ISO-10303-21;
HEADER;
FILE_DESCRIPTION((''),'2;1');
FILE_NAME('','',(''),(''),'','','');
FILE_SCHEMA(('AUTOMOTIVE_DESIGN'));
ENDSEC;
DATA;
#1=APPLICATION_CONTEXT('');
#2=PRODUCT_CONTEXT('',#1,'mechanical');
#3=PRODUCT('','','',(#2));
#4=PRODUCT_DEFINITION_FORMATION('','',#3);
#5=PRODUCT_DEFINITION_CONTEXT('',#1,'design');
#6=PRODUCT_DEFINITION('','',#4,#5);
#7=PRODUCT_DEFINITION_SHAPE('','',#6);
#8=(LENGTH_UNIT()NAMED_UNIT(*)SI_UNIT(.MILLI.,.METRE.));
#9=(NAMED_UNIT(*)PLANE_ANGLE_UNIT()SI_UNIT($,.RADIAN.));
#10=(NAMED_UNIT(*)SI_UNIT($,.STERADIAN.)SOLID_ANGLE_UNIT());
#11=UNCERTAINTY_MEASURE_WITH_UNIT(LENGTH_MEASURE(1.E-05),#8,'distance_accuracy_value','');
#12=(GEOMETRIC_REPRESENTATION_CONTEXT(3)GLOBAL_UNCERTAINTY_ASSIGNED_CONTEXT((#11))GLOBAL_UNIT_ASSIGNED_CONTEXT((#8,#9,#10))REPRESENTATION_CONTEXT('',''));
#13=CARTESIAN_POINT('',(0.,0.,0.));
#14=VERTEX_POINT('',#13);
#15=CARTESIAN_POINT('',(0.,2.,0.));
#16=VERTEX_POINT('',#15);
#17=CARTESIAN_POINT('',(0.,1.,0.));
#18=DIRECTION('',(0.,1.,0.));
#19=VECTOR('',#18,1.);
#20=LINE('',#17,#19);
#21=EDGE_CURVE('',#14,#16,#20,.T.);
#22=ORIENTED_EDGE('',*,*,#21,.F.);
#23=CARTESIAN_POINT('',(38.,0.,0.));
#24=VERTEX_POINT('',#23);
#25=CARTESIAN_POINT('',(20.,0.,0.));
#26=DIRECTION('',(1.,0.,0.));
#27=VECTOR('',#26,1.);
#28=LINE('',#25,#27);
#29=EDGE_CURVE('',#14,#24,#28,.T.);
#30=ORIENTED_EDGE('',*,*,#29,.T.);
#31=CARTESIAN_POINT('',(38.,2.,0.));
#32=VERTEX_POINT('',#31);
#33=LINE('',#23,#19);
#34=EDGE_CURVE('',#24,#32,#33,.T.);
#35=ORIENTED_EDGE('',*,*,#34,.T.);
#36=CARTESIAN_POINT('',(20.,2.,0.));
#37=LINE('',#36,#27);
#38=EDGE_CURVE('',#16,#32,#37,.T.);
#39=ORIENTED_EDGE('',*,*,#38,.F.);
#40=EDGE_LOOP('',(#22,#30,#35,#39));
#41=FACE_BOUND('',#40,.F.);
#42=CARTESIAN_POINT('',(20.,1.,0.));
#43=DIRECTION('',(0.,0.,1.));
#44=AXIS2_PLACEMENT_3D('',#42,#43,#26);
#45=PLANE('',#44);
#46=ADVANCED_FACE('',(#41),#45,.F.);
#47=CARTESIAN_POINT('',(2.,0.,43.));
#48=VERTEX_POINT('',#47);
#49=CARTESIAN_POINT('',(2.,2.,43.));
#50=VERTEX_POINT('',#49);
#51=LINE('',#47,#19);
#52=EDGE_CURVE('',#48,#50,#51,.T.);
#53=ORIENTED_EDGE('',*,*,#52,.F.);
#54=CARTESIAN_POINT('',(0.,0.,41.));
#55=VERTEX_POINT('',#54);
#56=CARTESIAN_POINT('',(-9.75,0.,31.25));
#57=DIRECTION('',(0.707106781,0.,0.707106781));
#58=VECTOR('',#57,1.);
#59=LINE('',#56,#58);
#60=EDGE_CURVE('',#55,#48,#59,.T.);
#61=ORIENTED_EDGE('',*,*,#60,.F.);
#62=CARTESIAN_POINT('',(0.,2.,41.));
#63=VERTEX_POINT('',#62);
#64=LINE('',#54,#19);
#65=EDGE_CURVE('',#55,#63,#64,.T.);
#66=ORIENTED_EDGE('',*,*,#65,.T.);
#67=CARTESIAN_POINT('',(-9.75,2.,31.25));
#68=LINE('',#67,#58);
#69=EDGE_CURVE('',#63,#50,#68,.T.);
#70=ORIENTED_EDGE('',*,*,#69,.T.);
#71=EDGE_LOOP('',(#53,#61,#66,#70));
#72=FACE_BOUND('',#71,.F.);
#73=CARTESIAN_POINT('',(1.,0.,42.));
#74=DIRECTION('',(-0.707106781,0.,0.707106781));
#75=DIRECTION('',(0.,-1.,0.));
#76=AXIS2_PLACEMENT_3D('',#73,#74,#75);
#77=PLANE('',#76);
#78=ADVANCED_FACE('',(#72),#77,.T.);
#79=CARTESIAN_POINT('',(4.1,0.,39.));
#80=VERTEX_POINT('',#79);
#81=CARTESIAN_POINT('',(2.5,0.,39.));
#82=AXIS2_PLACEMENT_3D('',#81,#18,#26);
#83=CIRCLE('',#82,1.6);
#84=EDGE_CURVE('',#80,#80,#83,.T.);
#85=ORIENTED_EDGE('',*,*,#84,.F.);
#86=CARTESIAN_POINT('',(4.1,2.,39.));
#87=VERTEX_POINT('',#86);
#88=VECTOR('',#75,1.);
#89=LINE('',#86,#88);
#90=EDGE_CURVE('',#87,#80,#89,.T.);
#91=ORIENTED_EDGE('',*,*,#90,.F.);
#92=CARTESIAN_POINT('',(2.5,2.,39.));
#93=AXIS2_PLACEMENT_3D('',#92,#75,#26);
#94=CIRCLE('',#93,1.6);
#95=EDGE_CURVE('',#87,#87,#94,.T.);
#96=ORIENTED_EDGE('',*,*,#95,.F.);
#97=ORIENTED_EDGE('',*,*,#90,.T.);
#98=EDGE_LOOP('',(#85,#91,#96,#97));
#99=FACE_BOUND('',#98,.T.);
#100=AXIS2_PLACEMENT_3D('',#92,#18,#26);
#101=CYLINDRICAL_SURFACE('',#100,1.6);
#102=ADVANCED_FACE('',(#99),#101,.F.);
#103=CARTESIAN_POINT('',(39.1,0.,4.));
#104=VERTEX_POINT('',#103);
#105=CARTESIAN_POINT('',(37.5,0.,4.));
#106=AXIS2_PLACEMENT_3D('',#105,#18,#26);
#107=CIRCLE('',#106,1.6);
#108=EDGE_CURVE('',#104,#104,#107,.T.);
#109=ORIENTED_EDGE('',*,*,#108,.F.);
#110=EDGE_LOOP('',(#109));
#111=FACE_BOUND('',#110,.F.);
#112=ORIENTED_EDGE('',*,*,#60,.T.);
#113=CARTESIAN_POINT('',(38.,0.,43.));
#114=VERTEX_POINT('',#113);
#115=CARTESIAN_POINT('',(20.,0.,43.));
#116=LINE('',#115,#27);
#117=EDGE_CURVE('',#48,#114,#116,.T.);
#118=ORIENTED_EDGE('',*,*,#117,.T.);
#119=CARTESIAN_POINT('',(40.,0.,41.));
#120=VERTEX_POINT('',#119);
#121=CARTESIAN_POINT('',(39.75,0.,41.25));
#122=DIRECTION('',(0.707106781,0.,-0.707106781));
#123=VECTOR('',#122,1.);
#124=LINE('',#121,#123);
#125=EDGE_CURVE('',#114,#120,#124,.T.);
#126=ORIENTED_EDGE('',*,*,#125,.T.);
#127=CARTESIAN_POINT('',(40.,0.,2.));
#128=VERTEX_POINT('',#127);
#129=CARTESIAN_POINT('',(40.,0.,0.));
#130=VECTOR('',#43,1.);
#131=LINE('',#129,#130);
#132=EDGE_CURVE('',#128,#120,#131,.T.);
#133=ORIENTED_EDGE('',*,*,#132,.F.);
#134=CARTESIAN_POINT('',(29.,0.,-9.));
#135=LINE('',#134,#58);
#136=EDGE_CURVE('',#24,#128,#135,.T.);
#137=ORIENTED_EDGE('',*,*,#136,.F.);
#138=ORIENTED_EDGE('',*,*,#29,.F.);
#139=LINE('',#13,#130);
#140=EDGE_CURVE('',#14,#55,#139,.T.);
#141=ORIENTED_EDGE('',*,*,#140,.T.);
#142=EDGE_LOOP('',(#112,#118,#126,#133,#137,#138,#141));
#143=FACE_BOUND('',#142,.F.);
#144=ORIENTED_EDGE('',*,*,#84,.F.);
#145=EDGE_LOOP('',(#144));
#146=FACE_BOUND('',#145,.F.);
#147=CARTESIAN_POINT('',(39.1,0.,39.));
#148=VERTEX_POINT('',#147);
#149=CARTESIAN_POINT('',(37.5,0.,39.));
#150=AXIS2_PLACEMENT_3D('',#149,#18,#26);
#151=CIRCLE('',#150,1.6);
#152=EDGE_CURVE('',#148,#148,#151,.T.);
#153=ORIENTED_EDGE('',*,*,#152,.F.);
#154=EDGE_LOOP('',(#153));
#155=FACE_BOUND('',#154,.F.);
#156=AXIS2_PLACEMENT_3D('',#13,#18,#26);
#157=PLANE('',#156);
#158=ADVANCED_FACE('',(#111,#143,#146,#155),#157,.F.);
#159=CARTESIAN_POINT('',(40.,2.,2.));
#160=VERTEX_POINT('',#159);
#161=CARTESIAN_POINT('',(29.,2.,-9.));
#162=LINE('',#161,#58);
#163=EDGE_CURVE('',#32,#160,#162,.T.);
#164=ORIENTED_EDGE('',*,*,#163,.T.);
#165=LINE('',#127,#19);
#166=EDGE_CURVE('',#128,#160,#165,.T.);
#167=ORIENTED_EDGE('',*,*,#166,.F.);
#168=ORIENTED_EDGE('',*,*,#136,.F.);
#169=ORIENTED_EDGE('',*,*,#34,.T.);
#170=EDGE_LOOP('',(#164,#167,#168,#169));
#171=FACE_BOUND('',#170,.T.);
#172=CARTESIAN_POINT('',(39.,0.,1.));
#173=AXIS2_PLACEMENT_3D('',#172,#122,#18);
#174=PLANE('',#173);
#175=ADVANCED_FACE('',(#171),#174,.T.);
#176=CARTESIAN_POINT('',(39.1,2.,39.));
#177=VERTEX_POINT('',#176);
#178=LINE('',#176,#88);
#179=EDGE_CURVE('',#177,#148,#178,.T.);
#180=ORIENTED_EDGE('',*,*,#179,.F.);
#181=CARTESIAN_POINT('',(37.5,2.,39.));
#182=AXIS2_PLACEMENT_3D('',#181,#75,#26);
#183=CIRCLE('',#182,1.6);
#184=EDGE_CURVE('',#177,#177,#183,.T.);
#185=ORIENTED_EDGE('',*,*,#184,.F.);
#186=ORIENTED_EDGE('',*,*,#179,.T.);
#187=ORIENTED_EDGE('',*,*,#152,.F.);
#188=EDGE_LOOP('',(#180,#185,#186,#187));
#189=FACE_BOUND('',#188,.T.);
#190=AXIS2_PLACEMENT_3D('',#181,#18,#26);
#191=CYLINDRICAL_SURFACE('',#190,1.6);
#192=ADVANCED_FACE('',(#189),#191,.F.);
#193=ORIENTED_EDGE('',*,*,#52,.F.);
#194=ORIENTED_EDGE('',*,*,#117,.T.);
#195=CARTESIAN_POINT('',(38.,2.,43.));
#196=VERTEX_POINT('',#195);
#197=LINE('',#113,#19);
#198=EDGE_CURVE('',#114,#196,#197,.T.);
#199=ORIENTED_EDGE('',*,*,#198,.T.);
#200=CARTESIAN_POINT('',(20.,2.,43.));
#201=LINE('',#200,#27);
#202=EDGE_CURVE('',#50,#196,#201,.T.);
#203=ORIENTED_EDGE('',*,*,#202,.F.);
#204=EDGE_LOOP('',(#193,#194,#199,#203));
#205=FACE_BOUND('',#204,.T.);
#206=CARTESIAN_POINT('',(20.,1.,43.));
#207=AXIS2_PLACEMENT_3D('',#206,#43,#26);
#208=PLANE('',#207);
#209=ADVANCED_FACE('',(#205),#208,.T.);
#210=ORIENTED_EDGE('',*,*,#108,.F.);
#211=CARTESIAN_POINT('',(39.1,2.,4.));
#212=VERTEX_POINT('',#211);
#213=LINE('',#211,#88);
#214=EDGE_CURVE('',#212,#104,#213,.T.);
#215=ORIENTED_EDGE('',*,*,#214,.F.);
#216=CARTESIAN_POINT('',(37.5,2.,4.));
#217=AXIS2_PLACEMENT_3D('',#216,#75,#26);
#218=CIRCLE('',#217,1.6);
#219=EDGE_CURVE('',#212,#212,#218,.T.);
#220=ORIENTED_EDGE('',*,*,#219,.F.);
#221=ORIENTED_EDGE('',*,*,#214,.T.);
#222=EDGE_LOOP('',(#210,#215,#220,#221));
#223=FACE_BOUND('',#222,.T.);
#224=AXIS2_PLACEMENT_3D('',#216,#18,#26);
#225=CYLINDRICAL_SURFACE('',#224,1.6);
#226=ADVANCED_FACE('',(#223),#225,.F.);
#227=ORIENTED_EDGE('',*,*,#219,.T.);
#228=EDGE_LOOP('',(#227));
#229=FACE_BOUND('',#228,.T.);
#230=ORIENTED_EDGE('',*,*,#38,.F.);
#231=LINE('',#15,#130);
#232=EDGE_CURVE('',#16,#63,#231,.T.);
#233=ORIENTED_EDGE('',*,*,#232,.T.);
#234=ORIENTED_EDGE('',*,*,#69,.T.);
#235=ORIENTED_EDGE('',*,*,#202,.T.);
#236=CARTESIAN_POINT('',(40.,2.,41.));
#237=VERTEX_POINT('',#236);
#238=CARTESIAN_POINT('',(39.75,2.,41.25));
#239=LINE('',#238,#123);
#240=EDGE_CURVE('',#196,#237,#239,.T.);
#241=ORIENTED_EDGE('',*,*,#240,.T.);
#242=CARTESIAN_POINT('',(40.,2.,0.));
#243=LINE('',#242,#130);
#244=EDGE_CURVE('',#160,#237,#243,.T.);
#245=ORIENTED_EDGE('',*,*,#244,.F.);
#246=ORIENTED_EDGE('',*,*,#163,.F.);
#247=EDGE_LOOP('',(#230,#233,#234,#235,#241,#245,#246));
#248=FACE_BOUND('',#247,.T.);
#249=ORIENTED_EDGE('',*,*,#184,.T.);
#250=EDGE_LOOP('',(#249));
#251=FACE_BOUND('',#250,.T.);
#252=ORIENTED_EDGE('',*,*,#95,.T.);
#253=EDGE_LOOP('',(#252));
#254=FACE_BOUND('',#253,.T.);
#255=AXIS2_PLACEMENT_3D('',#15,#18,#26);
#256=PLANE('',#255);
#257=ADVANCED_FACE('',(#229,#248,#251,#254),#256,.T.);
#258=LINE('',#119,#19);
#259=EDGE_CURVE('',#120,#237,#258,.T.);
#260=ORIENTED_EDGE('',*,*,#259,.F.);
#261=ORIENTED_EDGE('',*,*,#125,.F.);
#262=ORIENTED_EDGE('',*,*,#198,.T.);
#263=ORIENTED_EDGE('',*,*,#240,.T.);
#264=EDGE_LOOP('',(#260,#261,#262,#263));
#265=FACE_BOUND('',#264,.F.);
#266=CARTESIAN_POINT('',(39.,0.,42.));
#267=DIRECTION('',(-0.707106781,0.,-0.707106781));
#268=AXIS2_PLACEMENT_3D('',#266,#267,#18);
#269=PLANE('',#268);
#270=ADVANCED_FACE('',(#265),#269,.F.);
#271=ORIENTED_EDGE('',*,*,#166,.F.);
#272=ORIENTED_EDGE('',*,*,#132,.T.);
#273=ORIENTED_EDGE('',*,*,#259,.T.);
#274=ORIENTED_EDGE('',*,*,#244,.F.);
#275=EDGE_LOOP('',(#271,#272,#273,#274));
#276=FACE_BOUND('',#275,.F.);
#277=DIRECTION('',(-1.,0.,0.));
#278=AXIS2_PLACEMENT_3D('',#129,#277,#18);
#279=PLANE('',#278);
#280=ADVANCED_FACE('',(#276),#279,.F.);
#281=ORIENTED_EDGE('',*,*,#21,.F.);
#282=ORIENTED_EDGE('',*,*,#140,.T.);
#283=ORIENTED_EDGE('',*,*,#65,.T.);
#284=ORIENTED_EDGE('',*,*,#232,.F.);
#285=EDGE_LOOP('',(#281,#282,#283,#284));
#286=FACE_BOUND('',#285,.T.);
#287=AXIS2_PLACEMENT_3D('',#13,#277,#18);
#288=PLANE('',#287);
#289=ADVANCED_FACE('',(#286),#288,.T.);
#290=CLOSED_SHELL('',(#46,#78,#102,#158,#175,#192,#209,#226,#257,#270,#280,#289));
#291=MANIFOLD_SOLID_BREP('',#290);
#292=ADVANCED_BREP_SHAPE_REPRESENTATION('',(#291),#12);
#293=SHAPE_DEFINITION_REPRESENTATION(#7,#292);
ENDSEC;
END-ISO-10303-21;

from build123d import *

# Parameters (mm, degrees)
CYLINDER005_R     = 1.6
CYLINDER005_DEPTH = 10
CYLINDER003_R     = 1.6
CYLINDER003_DEPTH = 10
CYLINDER004_R     = 1.6
CYLINDER004_DEPTH = 10
BOX_W             = 40
BOX_H             = 2
BOX_DEPTH         = 43
CHAMFER011_SIZE   = 2


with BuildPart() as cylinder005:
    # Cylinder005 → Cylinder005 (new body)
    with BuildSketch(Plane(origin=(37.5, 2, 39), x_dir=(1, 0, 0), z_dir=(0, -1, 0))):
        Circle(CYLINDER005_R)
    extrude(amount=CYLINDER005_DEPTH)


with BuildPart() as cylinder003:
    # Cylinder003 → Cylinder003 (new body)
    with BuildSketch(Plane(origin=(37.5, 2, 4), x_dir=(1, 0, 0), z_dir=(0, -1, 0))):
        Circle(CYLINDER003_R)
    extrude(amount=CYLINDER003_DEPTH)


with BuildPart() as fusion012:
    # Cylinder004 → Cylinder004 (new body)
    with BuildSketch(Plane(origin=(2.5, 2, 39), x_dir=(1, 0, 0), z_dir=(0, -1, 0))):
        Circle(CYLINDER004_R)
    extrude(amount=CYLINDER004_DEPTH)

    # Fusion012: union Cylinder005, Cylinder003
    add(cylinder005.part)
    add(cylinder003.part)


with BuildPart() as chamfer011:
    # Box → Box (new body)
    with BuildSketch(Plane.XY):
        with Locations((20, 1)):
            Rectangle(BOX_W, BOX_H)
    extrude(amount=BOX_DEPTH)

    # Cut002003004006010: cut Fusion012
    add(fusion012.part, mode=Mode.SUBTRACT)

    # Chamfer011
    chamfer011_edges = [chamfer011.edges().sort_by_distance(p)[0] for p in [
        (0, 1, 43),
        (40, 1, 43),
        (40, 1, 0),
    ]]
    chamfer(chamfer011_edges, length=CHAMFER011_SIZE)


solid = chamfer011.part
